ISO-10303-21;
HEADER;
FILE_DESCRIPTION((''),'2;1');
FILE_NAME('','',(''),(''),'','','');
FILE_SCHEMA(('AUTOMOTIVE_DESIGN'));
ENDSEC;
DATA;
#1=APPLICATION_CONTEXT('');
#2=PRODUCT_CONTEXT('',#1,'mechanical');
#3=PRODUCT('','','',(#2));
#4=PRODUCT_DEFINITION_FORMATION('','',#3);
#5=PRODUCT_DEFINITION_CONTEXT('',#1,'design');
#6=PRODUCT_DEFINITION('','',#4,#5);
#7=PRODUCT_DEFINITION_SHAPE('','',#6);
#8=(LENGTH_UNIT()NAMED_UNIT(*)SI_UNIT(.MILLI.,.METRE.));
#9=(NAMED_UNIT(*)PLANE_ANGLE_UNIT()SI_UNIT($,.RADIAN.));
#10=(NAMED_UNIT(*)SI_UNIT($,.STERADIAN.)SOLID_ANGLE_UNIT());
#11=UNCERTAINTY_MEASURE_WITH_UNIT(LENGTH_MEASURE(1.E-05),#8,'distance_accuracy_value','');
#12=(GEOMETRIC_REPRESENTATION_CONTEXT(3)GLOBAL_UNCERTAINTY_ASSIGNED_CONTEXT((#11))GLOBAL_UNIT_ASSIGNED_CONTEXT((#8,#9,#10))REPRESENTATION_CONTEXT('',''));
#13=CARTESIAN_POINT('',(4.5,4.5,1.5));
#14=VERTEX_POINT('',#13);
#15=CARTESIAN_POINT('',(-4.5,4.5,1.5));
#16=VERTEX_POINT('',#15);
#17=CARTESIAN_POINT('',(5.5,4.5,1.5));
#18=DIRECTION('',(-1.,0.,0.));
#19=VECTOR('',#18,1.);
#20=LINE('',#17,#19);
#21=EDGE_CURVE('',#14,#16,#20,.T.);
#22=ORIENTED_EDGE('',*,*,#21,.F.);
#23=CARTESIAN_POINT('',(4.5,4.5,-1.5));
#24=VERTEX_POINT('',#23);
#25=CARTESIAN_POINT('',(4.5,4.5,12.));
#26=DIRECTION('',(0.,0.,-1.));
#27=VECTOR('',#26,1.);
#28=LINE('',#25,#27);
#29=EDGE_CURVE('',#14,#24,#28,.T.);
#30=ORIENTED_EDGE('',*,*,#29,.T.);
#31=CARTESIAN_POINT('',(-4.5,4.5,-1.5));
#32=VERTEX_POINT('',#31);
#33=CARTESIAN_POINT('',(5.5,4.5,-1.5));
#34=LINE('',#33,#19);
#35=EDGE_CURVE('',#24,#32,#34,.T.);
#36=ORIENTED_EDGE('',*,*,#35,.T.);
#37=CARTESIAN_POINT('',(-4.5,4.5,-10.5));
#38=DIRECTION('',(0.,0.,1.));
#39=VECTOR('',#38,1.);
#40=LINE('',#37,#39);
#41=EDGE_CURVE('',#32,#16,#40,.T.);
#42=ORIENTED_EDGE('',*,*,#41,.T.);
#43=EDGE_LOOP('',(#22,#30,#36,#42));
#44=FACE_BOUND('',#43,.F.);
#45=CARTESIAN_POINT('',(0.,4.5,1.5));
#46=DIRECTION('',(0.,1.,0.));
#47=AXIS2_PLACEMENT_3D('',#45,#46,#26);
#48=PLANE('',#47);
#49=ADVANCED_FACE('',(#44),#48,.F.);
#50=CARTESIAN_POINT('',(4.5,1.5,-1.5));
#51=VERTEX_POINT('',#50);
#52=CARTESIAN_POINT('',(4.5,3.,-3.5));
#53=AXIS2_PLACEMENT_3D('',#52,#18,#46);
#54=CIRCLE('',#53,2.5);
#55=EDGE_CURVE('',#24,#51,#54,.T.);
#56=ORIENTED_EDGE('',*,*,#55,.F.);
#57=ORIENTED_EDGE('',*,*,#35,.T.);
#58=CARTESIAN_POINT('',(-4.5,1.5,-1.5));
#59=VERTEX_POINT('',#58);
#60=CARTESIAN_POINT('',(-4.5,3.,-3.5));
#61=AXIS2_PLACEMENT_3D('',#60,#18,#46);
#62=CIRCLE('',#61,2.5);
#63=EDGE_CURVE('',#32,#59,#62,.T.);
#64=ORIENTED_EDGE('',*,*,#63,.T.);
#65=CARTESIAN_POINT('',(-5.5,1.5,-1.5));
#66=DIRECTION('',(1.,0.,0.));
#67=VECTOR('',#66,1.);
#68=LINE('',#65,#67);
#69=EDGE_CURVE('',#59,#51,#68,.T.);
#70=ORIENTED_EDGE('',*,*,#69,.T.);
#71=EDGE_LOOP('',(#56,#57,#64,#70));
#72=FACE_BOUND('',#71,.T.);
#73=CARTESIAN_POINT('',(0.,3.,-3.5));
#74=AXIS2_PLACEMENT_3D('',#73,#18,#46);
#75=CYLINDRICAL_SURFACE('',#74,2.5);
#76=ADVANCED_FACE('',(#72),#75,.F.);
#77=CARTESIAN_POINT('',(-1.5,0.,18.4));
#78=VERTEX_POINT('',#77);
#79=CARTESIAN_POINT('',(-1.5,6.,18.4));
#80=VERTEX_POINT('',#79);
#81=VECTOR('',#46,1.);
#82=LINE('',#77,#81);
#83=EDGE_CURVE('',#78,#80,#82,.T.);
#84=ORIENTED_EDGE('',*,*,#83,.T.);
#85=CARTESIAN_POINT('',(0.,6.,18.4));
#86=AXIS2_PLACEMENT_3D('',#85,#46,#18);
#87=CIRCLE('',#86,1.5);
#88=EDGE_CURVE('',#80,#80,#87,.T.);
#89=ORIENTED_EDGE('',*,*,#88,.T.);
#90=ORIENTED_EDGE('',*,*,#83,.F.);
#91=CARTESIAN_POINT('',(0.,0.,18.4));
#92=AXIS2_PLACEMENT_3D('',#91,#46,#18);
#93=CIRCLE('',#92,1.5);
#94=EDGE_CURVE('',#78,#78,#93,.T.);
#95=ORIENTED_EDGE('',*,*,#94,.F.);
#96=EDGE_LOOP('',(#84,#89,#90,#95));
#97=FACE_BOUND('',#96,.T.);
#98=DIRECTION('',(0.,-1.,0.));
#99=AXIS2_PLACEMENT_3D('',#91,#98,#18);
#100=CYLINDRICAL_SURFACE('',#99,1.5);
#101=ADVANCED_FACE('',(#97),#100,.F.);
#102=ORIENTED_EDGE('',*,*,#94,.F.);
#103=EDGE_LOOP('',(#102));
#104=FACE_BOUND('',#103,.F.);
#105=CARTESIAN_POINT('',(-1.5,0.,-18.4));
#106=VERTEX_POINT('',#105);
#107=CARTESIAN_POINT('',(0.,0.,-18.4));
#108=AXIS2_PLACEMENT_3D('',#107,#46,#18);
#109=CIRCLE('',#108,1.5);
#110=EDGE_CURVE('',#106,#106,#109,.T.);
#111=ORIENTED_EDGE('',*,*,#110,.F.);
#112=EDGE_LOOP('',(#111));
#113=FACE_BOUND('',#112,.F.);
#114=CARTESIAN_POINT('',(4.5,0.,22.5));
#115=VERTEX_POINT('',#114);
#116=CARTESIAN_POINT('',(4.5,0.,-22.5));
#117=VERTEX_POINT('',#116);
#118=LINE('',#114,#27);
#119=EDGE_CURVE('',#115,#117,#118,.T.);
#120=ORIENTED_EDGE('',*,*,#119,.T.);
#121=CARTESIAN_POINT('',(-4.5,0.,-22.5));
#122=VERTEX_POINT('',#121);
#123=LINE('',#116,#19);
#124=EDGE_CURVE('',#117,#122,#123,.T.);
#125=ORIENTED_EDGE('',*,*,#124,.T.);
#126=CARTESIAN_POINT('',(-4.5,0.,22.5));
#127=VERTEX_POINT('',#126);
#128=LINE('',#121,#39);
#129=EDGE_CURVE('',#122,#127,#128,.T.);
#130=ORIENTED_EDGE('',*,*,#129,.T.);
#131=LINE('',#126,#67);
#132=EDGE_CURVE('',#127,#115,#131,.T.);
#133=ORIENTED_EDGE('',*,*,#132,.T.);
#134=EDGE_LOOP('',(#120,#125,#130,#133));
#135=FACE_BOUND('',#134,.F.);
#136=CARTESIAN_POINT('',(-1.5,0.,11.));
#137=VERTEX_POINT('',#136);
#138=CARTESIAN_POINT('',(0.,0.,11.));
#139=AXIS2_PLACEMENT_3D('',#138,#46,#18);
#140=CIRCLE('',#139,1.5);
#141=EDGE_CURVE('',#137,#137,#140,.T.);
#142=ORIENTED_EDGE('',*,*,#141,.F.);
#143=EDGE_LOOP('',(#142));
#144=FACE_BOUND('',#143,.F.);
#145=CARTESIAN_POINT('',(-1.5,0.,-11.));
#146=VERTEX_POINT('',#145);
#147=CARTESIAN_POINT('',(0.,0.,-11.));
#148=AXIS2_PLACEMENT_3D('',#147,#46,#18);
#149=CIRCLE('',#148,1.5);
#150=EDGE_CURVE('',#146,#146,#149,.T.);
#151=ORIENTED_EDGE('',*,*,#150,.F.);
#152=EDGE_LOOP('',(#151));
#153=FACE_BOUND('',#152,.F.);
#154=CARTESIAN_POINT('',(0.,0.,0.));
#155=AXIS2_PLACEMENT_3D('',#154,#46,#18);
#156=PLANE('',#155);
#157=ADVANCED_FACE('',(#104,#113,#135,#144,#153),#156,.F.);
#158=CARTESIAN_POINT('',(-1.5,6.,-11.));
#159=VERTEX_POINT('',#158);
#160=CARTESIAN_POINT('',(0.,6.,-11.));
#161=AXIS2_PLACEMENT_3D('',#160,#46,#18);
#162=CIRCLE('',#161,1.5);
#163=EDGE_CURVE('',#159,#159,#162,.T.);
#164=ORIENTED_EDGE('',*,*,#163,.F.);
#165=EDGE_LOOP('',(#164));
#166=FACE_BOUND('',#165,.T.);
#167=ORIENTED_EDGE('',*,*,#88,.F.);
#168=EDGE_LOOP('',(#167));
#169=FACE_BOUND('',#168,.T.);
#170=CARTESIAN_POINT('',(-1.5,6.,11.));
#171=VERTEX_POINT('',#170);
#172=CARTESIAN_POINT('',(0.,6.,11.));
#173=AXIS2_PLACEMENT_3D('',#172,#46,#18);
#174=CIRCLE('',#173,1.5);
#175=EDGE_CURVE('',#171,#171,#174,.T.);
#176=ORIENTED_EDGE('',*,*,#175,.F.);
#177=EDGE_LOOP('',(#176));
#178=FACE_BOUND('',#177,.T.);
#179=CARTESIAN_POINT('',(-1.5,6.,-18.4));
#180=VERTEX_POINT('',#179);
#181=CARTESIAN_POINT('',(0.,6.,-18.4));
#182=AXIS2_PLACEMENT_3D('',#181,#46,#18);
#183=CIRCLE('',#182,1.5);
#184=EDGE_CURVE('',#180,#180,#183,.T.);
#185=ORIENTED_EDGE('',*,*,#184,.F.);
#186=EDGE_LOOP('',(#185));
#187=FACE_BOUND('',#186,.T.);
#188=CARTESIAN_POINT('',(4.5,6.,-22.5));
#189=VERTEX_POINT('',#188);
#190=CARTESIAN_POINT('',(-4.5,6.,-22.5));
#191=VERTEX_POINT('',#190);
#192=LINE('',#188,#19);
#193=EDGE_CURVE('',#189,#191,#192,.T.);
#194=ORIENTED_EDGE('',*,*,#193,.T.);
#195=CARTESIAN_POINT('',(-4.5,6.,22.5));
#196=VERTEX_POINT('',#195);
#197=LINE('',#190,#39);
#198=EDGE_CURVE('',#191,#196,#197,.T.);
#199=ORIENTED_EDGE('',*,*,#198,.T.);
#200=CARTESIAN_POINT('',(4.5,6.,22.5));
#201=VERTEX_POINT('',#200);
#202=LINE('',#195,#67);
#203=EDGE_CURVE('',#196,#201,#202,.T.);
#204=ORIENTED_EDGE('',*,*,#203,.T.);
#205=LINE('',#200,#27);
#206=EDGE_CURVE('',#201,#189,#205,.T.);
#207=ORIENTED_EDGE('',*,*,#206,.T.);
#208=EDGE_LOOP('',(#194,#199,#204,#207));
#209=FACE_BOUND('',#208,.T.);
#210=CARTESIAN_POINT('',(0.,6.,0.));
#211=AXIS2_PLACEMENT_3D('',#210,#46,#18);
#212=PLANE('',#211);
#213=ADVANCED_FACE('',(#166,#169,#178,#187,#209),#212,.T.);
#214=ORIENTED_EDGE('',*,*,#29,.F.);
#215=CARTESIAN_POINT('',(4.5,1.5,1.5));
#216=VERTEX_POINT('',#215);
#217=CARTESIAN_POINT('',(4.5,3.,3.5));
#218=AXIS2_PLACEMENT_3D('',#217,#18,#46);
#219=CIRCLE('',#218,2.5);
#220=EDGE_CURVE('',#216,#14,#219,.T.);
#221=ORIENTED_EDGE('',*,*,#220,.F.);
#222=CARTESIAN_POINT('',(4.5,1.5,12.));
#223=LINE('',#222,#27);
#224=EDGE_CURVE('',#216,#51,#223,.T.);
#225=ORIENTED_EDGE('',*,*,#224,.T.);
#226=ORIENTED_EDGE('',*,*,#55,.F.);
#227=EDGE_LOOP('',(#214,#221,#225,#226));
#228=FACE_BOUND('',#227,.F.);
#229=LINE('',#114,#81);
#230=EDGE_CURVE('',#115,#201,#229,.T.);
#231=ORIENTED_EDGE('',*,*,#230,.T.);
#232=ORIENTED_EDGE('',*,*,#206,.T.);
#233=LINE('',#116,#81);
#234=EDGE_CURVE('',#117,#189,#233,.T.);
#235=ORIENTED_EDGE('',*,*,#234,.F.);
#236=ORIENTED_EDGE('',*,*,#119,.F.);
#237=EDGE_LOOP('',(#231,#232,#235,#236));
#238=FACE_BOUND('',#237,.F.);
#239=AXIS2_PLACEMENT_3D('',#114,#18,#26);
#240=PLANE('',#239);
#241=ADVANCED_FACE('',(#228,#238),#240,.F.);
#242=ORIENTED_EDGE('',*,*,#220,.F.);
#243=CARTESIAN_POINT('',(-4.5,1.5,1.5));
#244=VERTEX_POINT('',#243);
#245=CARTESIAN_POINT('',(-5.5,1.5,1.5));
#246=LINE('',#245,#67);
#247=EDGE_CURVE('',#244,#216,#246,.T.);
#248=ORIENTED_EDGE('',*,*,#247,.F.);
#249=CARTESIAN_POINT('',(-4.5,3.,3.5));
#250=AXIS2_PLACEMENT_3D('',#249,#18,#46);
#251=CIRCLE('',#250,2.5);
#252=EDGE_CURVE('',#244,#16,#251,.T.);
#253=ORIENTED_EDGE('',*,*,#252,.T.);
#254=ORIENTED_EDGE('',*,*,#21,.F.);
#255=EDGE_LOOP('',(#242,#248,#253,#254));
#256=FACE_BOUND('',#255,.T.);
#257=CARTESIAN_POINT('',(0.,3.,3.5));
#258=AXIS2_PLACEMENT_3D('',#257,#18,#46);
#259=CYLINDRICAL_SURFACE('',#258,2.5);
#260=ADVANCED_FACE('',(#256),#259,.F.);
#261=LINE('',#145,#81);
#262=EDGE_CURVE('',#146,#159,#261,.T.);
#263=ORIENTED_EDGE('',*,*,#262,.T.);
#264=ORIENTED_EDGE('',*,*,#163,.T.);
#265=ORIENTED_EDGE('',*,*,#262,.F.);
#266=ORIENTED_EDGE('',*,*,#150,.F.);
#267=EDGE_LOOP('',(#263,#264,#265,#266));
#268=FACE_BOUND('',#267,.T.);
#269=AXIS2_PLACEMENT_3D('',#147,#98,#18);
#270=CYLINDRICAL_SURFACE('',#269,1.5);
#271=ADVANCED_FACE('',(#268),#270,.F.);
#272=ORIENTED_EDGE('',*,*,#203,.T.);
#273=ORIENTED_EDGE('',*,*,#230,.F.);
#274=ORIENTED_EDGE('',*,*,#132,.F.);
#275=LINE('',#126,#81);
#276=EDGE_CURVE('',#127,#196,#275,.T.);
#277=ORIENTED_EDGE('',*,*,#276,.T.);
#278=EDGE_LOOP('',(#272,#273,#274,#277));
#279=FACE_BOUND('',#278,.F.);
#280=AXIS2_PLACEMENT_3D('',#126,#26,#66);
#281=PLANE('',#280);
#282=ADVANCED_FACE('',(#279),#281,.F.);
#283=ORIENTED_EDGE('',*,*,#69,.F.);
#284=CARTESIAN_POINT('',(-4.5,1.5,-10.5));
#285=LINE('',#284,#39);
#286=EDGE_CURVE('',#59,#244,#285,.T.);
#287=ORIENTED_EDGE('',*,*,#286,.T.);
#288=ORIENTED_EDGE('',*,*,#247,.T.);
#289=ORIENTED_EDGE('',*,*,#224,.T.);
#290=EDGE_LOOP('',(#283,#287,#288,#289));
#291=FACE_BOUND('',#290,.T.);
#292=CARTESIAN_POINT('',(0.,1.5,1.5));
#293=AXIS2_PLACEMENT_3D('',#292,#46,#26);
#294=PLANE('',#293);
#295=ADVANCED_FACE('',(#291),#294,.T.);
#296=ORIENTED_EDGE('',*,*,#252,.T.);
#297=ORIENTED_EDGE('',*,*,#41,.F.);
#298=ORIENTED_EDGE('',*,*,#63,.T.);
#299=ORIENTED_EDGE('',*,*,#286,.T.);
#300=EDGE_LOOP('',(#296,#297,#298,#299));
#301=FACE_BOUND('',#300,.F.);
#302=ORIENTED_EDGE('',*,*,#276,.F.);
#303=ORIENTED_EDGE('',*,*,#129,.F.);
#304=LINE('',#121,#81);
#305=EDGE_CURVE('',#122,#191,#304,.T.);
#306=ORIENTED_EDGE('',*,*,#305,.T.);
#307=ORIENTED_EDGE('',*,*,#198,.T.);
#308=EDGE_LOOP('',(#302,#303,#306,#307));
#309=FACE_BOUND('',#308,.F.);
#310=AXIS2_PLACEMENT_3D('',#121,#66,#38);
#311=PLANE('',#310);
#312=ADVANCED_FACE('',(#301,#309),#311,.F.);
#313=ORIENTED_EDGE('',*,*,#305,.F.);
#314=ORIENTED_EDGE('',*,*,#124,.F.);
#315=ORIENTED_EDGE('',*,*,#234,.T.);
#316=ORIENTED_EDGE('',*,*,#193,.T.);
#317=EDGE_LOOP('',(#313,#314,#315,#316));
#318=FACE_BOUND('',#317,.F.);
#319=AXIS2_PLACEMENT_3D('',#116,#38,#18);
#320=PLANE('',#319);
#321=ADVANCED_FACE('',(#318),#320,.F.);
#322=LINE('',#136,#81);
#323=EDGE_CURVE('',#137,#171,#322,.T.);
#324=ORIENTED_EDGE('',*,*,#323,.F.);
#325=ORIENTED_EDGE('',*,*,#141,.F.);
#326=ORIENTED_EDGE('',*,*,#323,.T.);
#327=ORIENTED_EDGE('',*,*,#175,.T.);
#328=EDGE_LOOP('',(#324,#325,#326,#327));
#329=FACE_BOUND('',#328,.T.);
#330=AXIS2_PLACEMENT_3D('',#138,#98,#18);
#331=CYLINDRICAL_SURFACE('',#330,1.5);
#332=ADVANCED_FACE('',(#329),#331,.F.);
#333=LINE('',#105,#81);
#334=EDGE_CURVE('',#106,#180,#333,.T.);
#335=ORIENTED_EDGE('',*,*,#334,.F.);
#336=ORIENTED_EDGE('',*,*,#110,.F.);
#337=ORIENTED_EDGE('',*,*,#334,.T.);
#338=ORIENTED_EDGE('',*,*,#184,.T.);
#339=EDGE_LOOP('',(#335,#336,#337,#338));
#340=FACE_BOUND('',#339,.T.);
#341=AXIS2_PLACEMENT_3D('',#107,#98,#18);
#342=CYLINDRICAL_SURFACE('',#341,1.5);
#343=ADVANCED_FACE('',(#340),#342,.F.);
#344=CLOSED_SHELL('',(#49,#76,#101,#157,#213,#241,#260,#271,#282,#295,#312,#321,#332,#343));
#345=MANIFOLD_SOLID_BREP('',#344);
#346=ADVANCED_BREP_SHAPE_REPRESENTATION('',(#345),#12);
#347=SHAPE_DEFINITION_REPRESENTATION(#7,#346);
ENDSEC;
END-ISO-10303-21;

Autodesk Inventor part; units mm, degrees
ref_plane "YZ Plane" through (0, 0, 0) normal (1, 0, 0) x (0, 1, 0)
ref_plane "XZ Plane" through (0, 0, 0) normal (0, 1, 0) x (-1, 0, 0)
ref_plane "XY Plane" through (0, 0, 0) normal (0, 0, 1) x (1, 0, 0)
sketch "スケッチ1" plane through (0, 0, 0) normal (0, 1, 0) x (-1, 0, 0)
  line L0 (4.5, 22.5) -> (-4.5, 22.5)
  line L1 (-4.5, 22.5) -> (-4.5, -22.5)
  line L2 (-4.5, -22.5) -> (4.5, -22.5)
  line L3 (4.5, -22.5) -> (4.5, 22.5)
  line L4 (4.5, 22.5) -> (-4.5, -22.5) construction
  line L5 (-4.5, 22.5) -> (4.5, -22.5) construction
  line L6 (0, -31.5) -> (0, 31.5) construction
  line L7 (6.3, 0) -> (-6.3, 0) construction
  circle A0 centre (0, 11) radius 1.5
  circle A1 centre (0, 18.4) radius 1.5
  circle A2 centre (0, -11) radius 1.5
  circle A3 centre (0, -18.4) radius 1.5
  point P0 (0, 0)
  dimension "d0" = 45
  dimension "d1" = 9
  dimension "d2" = 3
  dimension "d3" = 22
  dimension "d4" = 7.4
extrude "押し出し1" add sketch "スケッチ1" along normal blind 6
sketch "スケッチ2" plane through (0, 0, 0) normal (1, 0, 0) x (0, 1, 0)
  line L0 (-1.2, 0) -> (7.2, 0) construction
  line L1 (0, -22.5) -> (0, 22.5) construction
  line L2 (0, 22.5) -> (6, 22.5) construction
  line L3 (6, -22.5) -> (6, 22.5) construction
  line L4 (0, -22.5) -> (6, -22.5) construction
  line L5 (3, 22.5) -> (3, -22.5) construction
  circle A0 centre (3, 3.5) radius 2.5
  circle A1 centre (3, -3.5) radius 2.5
  line L6 (4.5, 1.5) -> (4.5, -1.5)
  line L7 (1.5, 1.5) -> (1.5, -1.5)
  point P0 (0, 0)
  dimension "d7" = 5
  dimension "d8" = 7
  dimension "d9" = 3
extrude "押し出し2" cut sketch "スケッチ2" along normal through all both and the other way through all
properties part number "load_cell_SC616C" material "アルミニウム 6061"
